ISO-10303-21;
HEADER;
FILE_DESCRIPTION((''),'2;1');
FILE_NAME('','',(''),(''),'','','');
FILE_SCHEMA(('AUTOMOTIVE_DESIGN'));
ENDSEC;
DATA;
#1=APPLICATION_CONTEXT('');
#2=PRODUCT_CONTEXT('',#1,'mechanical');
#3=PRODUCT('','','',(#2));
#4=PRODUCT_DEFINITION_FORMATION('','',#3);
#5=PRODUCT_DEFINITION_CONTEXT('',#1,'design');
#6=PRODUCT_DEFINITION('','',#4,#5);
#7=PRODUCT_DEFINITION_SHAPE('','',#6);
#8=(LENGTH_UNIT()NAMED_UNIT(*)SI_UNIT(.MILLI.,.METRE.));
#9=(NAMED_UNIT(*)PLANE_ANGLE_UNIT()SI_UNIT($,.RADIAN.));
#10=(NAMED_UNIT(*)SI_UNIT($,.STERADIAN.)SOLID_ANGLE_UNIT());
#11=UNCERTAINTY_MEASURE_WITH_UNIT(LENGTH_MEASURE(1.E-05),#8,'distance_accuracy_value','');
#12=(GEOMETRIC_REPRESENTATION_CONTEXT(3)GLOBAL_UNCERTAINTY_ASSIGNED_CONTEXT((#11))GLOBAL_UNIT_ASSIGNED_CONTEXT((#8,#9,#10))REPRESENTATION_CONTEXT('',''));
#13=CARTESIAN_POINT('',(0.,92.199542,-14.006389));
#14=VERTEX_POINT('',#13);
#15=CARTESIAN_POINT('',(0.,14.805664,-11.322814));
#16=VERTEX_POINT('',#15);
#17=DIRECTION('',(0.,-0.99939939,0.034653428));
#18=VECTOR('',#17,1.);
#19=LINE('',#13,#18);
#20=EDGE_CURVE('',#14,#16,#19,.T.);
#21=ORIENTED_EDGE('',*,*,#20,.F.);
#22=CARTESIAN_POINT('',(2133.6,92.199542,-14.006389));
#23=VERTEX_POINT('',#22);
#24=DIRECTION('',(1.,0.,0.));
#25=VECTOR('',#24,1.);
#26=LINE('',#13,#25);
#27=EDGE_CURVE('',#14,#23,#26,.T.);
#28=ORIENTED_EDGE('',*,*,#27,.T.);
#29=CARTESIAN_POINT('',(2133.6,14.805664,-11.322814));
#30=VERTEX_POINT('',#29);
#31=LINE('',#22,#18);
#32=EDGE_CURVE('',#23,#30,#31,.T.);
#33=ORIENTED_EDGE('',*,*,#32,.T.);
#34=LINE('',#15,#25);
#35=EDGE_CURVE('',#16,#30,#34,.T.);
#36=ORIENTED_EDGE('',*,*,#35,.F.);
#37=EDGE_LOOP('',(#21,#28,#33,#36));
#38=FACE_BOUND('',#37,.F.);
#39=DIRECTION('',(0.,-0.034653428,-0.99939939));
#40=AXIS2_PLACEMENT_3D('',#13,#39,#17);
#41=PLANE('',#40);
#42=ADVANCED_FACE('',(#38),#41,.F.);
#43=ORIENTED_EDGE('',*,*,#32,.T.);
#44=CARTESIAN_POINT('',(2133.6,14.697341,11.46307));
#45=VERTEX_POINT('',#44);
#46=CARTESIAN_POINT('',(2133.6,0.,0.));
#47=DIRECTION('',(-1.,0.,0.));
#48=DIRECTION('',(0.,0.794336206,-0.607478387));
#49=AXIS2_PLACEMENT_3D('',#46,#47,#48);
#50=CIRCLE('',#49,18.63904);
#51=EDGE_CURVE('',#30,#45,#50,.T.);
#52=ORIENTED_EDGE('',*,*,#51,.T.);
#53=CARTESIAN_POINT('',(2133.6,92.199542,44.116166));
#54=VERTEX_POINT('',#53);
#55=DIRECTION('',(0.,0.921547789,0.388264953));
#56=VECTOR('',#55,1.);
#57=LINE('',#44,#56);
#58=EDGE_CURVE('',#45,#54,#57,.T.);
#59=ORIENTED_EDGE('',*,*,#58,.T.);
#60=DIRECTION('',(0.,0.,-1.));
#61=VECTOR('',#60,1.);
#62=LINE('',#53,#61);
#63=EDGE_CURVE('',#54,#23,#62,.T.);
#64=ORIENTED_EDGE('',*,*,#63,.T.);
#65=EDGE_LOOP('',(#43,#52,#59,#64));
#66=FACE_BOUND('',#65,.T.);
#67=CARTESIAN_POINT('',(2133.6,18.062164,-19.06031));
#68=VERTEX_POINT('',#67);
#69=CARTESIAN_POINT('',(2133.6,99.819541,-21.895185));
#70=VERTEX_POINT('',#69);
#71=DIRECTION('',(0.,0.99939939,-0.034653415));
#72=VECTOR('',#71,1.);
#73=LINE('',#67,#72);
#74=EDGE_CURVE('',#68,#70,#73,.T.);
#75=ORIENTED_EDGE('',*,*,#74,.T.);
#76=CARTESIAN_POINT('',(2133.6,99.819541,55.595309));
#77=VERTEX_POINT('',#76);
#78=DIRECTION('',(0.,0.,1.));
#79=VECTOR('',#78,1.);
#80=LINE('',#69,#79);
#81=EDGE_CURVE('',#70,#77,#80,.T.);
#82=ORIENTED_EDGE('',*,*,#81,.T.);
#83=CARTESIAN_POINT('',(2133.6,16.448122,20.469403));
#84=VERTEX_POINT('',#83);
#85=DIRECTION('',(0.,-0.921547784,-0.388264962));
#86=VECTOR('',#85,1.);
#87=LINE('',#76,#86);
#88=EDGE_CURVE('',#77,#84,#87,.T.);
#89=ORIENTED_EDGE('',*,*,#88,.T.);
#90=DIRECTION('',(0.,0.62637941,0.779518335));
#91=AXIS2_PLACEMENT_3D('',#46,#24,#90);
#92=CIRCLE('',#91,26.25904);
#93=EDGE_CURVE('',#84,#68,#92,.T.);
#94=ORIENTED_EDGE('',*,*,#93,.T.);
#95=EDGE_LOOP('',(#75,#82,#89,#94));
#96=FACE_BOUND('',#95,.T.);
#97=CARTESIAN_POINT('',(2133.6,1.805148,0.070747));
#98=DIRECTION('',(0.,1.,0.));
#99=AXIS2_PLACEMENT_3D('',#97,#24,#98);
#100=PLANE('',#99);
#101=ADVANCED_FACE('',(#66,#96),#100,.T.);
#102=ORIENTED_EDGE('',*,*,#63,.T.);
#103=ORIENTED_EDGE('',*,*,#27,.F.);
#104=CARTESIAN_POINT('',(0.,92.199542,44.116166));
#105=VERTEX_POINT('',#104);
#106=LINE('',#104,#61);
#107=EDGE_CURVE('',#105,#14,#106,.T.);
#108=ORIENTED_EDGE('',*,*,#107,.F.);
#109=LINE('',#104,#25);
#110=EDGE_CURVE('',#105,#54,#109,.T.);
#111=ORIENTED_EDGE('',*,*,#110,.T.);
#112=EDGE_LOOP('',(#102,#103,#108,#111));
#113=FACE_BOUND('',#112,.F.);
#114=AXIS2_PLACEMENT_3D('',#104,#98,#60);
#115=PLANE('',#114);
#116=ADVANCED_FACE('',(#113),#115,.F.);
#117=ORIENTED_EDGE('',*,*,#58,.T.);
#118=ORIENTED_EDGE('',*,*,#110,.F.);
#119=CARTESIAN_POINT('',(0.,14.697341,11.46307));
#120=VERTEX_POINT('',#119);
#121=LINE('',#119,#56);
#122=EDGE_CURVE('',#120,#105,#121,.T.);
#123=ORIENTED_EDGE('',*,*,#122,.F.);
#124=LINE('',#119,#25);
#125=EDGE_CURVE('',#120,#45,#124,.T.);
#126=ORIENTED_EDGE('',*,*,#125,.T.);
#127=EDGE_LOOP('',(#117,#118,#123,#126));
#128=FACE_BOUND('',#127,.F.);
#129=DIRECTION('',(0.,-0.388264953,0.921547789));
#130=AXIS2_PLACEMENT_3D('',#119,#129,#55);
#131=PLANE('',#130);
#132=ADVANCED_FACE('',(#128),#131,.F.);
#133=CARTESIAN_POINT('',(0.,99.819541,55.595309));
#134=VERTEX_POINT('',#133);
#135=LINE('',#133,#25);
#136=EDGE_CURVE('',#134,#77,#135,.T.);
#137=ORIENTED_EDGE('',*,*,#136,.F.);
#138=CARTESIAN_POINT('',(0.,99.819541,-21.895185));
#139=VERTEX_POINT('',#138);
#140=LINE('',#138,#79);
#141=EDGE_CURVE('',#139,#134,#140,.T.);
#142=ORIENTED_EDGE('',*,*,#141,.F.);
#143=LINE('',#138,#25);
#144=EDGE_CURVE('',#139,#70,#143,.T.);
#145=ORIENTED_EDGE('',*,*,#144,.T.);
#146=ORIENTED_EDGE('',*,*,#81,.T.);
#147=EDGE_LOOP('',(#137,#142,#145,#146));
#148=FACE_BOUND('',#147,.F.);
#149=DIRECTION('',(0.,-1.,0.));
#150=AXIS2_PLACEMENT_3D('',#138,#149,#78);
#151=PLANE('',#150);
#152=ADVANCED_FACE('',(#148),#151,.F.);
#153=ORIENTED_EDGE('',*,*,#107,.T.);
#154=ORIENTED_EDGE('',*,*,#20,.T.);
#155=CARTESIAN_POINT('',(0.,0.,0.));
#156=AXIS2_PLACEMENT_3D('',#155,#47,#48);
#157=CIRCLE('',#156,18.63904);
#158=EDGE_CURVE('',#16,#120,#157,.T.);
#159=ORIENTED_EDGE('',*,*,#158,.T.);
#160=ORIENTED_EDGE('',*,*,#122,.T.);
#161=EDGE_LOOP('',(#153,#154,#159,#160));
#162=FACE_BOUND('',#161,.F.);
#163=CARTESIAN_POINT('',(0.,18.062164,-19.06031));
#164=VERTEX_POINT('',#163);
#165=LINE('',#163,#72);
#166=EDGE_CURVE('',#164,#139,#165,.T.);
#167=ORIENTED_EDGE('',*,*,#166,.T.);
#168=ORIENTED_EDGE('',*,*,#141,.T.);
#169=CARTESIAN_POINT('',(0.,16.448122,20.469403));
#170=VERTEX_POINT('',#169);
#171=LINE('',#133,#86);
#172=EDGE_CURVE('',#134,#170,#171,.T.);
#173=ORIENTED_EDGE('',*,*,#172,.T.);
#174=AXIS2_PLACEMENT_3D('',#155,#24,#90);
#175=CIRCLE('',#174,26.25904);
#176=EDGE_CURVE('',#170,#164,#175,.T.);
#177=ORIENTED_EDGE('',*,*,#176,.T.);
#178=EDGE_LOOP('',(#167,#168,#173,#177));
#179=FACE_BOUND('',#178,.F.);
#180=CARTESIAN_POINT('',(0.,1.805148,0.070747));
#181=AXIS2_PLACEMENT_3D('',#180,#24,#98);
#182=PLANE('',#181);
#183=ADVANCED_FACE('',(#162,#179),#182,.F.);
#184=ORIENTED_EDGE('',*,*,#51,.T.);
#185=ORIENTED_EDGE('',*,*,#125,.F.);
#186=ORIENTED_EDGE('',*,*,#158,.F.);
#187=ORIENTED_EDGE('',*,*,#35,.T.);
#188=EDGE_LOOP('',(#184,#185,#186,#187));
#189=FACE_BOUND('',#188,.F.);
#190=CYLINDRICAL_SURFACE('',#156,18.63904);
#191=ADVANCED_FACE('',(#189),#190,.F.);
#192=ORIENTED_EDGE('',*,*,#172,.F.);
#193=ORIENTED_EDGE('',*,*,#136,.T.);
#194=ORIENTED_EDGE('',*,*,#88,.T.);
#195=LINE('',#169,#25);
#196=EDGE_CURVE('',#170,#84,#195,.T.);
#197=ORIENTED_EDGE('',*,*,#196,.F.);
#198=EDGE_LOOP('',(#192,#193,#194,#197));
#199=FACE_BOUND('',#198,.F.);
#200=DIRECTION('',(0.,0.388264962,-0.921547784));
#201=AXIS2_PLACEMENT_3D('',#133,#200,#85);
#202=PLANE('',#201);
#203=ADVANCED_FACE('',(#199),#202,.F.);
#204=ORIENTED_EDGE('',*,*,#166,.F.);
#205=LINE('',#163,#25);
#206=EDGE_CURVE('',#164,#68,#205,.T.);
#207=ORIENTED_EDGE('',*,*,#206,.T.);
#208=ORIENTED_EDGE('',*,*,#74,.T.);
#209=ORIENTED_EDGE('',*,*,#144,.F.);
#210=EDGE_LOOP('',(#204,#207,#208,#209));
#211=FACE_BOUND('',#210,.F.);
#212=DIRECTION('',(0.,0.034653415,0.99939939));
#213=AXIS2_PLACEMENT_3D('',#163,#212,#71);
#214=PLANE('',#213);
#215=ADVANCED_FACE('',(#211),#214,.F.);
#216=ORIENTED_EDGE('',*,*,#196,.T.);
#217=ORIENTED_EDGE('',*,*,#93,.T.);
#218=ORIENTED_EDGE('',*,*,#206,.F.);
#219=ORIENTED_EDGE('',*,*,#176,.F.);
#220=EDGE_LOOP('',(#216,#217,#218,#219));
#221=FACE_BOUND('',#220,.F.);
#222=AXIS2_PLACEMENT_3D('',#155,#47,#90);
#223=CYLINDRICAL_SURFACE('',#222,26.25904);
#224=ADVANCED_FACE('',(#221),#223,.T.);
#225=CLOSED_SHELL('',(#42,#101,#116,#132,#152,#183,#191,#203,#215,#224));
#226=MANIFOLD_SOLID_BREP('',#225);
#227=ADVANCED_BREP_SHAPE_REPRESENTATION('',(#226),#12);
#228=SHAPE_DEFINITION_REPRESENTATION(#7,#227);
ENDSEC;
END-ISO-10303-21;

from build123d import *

# Parameters (mm, degrees)
F1_DEPTH = 2133.6
F3_DEPTH = 2133.6


with BuildPart() as f1:
    # F0 (on Right) → F1 (new body)
    with BuildSketch(Plane.YZ):
        with BuildLine():
            ThreePointArc((18.062164, -19.06031), (24.122937, -10.374056), (26.25904, 0))
            ThreePointArc((26.25904, 0), (23.679622, 11.349566), (16.448122, 20.469403))
            ThreePointArc((16.448122, 20.469403), (-26.237178, -1.071293), (18.062164, -19.06031))
        make_face()
        with BuildLine():
            ThreePointArc((16.448122, 20.469403), (23.679622, 11.349566), (26.25904, 0))
            ThreePointArc((26.25904, 0), (24.122937, -10.374056), (18.062164, -19.06031))
            Line((18.062164, -19.06031), (99.819541, -21.895185))
            Line((99.819541, -21.895185), (99.819541, 55.595309))
            Line((99.819541, 55.595309), (16.448122, 20.469403))
        make_face()
    extrude(amount=F1_DEPTH)

    # F2 (on face) → F3 (cut)
    with BuildSketch(Plane(origin=(0, 0, 0), x_dir=(0, -1, 0), z_dir=(-1, 0, 0))):
        with BuildLine():
            ThreePointArc((-14.805664, -11.322814), (18.63883, -0.088608), (-14.697341, 11.46307))
            Line((-14.697341, 11.46307), (-92.199542, 44.116166))
            Line((-92.199542, 44.116166), (-92.199542, -14.006389))
            Line((-92.199542, -14.006389), (-14.805664, -11.322814))
        make_face()
    extrude(amount=-F3_DEPTH, mode=Mode.SUBTRACT)


solid = f1.part
